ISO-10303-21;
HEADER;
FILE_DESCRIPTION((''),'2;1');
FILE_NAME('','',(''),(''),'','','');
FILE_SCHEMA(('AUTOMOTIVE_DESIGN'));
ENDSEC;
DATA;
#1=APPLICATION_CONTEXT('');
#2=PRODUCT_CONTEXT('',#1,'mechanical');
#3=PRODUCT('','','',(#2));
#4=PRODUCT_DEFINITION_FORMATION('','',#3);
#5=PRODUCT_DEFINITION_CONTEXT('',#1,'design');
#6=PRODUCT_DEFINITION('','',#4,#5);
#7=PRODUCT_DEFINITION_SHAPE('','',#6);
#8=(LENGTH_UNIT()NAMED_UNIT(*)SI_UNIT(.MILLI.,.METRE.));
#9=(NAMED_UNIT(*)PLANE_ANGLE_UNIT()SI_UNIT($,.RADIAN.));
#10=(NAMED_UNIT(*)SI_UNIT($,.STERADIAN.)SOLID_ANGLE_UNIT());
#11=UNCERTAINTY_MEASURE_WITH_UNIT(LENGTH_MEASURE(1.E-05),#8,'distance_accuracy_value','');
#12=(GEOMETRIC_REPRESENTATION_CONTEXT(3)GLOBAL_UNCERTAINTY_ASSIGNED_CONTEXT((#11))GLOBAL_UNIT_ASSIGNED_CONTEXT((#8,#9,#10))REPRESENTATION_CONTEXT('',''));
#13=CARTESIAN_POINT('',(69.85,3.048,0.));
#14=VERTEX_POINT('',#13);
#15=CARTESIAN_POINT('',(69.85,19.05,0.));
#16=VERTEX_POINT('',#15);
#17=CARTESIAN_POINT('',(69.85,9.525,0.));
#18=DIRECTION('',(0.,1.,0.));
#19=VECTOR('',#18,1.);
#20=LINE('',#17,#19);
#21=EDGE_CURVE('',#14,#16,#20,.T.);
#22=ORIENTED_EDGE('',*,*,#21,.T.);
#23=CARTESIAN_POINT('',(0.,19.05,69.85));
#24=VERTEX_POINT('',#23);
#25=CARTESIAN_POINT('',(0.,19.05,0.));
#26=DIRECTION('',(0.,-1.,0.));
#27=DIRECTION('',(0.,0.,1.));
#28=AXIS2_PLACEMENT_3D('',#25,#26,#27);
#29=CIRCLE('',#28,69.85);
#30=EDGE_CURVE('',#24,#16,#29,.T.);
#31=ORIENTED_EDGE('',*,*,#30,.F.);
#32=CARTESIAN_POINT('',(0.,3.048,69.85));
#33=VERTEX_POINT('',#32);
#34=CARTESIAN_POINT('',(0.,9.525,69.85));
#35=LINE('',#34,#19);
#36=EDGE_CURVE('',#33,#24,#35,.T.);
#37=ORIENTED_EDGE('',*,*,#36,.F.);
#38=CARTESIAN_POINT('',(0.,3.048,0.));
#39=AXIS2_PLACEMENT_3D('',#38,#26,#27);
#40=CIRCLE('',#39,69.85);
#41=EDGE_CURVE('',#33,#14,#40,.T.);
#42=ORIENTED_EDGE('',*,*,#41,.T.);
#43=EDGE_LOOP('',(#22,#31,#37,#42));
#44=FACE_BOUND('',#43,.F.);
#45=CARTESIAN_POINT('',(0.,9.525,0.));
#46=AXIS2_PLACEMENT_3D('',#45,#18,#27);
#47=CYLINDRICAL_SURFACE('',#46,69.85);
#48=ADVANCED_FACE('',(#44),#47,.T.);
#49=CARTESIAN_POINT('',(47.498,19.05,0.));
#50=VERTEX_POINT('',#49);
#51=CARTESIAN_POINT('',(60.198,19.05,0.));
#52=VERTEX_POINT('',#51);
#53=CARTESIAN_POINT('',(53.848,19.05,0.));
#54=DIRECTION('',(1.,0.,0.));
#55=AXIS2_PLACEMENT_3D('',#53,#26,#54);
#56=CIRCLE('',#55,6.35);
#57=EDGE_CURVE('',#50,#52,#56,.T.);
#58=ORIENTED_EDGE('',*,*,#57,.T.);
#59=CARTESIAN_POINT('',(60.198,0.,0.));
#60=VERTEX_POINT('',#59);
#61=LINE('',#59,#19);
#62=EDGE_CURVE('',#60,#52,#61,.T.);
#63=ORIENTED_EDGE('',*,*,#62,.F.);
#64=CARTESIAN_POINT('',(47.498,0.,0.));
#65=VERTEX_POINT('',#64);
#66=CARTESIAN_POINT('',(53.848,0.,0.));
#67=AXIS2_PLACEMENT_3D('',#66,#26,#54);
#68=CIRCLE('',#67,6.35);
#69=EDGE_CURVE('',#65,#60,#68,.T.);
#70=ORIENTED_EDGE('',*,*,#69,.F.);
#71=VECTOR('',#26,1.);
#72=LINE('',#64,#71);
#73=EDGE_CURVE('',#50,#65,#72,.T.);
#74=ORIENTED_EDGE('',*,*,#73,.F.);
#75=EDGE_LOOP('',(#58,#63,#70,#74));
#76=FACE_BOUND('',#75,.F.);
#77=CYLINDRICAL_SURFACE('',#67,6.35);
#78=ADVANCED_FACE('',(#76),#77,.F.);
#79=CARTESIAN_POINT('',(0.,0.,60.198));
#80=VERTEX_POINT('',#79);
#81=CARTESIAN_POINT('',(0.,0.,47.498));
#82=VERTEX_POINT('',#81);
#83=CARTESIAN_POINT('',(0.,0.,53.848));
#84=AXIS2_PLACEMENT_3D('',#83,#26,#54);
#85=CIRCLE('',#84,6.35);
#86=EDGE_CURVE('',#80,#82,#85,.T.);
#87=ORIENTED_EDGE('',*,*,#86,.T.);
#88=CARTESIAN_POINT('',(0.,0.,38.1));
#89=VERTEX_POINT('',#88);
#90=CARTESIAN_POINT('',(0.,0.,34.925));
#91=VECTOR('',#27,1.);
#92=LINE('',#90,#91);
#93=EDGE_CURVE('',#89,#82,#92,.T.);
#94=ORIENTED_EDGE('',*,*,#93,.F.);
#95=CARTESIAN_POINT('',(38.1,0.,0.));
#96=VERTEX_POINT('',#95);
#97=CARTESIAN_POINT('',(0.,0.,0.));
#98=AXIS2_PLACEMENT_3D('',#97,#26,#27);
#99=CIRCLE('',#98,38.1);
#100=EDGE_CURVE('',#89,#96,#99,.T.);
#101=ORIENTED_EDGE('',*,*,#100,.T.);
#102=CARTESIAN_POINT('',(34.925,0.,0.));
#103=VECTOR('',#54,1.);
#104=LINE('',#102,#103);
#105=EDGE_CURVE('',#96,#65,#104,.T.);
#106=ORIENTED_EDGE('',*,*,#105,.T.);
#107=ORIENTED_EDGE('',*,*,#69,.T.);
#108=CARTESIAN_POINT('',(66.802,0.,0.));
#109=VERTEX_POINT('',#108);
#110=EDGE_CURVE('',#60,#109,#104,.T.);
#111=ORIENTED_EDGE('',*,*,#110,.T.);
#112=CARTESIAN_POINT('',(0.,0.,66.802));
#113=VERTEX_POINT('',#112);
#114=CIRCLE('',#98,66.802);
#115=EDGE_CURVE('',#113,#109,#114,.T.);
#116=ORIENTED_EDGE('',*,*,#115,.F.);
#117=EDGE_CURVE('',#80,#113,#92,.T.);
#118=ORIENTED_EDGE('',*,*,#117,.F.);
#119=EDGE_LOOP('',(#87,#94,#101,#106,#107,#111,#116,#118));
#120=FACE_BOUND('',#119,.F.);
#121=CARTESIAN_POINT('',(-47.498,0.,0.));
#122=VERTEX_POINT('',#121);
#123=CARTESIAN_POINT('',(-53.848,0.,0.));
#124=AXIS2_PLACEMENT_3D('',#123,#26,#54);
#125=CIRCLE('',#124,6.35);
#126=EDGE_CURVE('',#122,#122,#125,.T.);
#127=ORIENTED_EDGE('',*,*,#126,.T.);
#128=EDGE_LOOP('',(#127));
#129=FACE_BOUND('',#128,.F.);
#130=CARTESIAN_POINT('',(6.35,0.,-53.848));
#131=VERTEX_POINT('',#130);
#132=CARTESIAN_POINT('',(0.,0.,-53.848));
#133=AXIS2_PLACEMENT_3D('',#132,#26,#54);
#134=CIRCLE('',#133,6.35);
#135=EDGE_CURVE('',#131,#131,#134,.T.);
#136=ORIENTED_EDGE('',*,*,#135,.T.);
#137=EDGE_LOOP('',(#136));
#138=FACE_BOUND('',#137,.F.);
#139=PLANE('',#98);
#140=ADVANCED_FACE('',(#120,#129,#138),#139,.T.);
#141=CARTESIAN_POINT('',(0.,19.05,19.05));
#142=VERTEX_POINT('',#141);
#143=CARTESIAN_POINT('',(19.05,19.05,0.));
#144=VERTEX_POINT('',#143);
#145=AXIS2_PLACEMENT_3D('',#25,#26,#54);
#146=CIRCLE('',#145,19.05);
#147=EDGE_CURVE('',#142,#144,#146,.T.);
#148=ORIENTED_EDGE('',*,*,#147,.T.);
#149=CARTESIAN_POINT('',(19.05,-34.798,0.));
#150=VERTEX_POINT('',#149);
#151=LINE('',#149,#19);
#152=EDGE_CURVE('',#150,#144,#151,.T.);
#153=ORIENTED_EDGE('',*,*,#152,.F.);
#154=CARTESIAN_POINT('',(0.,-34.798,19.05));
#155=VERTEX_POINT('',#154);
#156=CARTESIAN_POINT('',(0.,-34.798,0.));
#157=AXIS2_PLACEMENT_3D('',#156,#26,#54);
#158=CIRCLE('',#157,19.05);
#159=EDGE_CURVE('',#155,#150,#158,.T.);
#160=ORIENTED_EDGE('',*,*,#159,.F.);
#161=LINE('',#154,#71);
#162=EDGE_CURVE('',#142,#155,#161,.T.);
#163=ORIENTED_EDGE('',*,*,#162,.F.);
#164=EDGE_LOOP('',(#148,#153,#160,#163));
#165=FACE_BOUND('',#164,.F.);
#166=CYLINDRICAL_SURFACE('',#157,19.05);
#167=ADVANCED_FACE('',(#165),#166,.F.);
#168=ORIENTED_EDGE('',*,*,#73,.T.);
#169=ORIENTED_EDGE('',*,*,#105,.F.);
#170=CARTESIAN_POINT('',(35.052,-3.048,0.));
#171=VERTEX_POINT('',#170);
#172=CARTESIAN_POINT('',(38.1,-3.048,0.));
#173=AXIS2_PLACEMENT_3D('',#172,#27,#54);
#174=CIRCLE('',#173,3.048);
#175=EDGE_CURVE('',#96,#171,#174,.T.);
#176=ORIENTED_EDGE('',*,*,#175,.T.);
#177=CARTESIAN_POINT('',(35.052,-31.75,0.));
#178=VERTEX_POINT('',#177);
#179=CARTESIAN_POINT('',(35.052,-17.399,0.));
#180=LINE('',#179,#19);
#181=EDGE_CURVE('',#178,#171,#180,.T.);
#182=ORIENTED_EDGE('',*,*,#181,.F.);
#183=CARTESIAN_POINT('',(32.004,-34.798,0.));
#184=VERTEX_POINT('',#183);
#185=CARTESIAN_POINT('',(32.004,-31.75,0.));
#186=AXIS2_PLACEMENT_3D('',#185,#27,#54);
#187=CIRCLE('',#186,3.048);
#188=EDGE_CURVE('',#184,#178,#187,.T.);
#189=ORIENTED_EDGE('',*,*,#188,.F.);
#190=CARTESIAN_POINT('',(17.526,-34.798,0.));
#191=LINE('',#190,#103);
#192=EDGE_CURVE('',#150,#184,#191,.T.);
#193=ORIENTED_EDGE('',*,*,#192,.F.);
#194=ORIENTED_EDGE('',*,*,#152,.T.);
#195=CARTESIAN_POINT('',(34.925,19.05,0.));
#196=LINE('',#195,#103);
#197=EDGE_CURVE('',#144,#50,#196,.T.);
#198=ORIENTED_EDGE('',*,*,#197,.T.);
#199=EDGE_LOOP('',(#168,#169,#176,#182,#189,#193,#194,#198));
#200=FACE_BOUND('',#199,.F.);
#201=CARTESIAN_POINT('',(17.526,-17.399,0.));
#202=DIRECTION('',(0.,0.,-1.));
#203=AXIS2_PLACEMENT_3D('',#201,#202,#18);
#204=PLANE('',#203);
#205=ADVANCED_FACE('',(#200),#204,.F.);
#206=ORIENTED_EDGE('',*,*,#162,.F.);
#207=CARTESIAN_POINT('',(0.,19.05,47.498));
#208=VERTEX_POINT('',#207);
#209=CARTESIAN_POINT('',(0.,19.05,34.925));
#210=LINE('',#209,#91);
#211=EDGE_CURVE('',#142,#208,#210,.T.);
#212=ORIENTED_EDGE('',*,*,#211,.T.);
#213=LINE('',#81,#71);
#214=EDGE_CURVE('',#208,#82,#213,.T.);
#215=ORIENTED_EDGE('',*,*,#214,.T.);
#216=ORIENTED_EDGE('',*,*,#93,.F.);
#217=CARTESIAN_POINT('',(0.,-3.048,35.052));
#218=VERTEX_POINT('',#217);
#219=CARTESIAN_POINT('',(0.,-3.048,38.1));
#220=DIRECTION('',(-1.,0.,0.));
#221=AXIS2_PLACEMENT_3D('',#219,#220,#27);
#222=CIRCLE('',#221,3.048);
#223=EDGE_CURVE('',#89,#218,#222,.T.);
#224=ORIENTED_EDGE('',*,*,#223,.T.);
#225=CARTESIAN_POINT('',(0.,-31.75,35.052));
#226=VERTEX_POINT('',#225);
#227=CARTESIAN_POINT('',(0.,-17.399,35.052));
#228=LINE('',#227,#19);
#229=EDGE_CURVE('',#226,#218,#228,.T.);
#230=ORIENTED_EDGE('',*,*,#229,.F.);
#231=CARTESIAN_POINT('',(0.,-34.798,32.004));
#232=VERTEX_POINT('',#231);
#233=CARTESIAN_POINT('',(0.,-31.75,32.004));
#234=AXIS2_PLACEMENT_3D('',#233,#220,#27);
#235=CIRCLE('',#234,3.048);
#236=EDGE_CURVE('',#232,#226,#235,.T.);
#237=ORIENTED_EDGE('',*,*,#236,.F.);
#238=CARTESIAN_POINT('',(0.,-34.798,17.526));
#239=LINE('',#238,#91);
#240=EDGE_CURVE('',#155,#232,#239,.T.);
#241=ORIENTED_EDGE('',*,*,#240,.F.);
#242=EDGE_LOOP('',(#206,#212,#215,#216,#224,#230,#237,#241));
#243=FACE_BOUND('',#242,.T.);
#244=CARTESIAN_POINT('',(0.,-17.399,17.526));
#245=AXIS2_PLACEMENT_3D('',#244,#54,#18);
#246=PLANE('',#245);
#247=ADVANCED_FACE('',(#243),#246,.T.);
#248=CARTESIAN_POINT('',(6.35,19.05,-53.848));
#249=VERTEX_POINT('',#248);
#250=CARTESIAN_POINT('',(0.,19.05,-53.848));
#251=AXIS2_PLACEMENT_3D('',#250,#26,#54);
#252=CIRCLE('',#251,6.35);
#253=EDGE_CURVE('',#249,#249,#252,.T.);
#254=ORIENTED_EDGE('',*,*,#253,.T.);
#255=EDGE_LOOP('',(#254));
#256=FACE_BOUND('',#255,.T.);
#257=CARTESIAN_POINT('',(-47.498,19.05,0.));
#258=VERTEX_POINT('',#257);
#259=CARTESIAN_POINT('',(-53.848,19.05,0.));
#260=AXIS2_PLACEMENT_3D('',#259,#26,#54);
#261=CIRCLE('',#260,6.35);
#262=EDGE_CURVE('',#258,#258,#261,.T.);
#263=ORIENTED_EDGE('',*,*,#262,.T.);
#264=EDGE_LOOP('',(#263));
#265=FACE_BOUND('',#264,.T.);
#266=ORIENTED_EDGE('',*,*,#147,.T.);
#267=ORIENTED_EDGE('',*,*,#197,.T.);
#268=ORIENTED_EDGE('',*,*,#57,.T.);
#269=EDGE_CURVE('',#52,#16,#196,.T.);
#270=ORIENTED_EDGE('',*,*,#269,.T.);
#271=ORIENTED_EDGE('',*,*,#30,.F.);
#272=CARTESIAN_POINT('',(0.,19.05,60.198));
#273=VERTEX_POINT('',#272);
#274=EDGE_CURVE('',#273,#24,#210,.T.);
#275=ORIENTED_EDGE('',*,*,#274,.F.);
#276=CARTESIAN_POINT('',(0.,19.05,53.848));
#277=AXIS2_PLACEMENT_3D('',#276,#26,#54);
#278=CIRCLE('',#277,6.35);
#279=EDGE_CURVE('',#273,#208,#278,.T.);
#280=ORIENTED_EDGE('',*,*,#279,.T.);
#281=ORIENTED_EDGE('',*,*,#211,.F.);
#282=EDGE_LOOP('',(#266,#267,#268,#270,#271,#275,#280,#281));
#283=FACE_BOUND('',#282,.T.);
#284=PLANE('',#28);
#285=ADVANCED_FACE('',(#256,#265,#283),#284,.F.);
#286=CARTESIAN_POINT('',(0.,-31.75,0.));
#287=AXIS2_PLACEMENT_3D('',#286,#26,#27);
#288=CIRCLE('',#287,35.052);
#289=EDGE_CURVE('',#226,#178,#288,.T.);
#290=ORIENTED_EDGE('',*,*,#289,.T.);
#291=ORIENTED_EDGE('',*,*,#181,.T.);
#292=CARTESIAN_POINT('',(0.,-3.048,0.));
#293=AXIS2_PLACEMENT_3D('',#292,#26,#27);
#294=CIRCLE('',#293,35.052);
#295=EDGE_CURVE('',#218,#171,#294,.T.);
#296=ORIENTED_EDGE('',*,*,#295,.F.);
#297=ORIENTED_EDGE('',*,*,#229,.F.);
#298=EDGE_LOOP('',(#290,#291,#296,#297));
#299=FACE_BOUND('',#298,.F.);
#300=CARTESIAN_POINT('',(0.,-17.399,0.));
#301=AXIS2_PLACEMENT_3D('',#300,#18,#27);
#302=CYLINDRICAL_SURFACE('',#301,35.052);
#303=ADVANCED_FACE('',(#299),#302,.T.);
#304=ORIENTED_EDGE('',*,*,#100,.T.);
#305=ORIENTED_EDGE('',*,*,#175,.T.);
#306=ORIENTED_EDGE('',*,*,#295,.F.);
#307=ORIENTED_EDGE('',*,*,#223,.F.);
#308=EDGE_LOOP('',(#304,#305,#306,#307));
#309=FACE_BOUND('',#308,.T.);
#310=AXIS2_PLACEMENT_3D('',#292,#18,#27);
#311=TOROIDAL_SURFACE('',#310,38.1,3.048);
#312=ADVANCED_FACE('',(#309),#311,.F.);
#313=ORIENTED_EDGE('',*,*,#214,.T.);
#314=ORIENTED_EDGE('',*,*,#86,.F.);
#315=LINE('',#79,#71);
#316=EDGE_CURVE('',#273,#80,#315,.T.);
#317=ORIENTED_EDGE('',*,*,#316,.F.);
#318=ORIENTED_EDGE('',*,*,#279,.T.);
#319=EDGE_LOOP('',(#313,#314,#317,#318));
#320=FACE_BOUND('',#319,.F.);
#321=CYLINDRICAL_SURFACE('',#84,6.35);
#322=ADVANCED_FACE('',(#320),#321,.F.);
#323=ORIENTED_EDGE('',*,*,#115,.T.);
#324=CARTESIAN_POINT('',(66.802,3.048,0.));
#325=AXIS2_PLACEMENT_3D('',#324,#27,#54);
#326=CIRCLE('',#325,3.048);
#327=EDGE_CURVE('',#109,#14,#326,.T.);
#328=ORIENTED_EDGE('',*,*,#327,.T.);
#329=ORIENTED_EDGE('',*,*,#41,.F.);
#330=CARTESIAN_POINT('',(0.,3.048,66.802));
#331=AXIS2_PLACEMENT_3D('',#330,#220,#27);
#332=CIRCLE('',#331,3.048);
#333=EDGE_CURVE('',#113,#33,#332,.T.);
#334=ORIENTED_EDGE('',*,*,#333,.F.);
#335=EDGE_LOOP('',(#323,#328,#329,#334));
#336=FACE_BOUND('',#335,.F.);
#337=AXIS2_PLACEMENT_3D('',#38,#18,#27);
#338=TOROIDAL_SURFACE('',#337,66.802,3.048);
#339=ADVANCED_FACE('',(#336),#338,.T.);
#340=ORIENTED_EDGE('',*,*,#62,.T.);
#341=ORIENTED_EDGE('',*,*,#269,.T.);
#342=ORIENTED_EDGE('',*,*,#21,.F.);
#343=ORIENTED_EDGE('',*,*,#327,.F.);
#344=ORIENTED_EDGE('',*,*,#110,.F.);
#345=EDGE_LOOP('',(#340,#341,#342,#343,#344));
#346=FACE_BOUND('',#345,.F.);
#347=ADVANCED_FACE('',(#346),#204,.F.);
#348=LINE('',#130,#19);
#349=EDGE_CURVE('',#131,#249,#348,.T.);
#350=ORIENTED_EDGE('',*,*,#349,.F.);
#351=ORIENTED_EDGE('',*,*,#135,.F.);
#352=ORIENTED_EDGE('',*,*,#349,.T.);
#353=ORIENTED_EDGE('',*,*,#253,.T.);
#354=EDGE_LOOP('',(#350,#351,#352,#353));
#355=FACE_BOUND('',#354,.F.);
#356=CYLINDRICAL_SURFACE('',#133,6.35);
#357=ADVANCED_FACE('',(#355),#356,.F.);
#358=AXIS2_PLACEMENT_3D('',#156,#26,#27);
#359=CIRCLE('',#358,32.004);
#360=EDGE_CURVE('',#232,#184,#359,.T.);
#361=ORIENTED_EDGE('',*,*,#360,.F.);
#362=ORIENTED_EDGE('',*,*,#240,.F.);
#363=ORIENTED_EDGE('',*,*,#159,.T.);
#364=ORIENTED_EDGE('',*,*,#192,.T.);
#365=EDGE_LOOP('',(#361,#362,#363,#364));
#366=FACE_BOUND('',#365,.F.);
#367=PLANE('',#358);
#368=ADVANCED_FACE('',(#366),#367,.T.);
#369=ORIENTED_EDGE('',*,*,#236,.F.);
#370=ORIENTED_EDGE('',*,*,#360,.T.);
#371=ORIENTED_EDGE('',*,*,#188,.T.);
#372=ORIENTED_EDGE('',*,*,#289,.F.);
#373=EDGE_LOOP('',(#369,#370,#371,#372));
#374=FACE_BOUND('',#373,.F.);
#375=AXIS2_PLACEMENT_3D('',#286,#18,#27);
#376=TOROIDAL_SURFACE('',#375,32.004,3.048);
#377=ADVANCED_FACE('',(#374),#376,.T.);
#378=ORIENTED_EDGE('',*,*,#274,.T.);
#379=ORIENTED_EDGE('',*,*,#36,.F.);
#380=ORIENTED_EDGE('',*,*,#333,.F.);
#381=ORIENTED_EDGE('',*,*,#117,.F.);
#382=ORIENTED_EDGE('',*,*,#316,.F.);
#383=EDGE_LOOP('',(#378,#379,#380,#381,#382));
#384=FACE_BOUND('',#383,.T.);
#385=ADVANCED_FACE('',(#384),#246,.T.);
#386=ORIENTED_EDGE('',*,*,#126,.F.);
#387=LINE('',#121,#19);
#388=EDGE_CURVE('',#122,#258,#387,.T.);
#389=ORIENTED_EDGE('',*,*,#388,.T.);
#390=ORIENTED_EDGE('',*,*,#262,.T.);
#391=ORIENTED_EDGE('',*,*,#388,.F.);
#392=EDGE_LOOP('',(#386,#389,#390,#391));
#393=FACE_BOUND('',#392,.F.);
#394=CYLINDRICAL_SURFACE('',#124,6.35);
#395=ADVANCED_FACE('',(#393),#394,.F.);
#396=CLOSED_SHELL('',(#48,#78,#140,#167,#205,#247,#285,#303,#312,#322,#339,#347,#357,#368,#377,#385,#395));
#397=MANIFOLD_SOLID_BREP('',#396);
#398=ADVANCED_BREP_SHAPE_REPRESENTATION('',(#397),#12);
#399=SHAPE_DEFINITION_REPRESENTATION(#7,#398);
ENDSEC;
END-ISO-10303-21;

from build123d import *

# Parameters (mm, degrees)
F0_W     = 19.05
F0_H     = 69.85
F1_ANGLE = -270
F2_R     = 3.048
F3_W     = 34.798
F3_H     = 35.052
F4_ANGLE = 270
F5_R     = 3.048
F6_R     = 19.05
F7_DEPTH = 53.849
F8_R     = 6.35
F9_DEPTH = 19.051


with BuildPart() as f1:
    # F0 (on Right) → F1 (revolve)
    with BuildSketch(Plane.YZ):
        with Locations((9.525, 34.925)):
            Rectangle(F0_W, F0_H)
    revolve(axis=Axis((0, 9.525, 0), (0, 1, 0)), revolution_arc=F1_ANGLE)

    # F2
    f2_edges = [f1.edges().sort_by_distance(p)[0] for p in [
        (-49.391409, 0, -49.391409),
    ]]
    fillet(f2_edges, radius=F2_R)

    # F3 (on Right) → F4 (revolve)
    with BuildSketch(Plane.YZ):
        with Locations((-17.399, 17.526)):
            Rectangle(F3_W, F3_H)
    revolve(axis=Axis((0, -17.399, 0), (0, -1, 0)), revolution_arc=F4_ANGLE)

    # F5
    f5_edges = [f1.edges().sort_by_distance(p)[0] for p in [
        (-24.785507, -34.798, -24.785507),
        (-24.785507, 0, -24.785507),
    ]]
    fillet(f5_edges, radius=F5_R)

    # F6 (on face) → F7 (cut, through all)
    with BuildSketch(Plane.XZ.offset(34.798)):
        Circle(F6_R)
    extrude(amount=-F7_DEPTH, mode=Mode.SUBTRACT)

    # F8 (on Front) → F9 (cut, through all)
    with BuildSketch(Plane.XZ):
        with Locations((0, 53.848)):
            Circle(F8_R)
        with Locations((-53.848, 0)):
            Circle(F8_R)
        with Locations((0, -53.848)):
            Circle(F8_R)
        with Locations((53.848, 0)):
            Circle(F8_R)
    extrude(amount=-F9_DEPTH, mode=Mode.SUBTRACT)


solid = f1.part
